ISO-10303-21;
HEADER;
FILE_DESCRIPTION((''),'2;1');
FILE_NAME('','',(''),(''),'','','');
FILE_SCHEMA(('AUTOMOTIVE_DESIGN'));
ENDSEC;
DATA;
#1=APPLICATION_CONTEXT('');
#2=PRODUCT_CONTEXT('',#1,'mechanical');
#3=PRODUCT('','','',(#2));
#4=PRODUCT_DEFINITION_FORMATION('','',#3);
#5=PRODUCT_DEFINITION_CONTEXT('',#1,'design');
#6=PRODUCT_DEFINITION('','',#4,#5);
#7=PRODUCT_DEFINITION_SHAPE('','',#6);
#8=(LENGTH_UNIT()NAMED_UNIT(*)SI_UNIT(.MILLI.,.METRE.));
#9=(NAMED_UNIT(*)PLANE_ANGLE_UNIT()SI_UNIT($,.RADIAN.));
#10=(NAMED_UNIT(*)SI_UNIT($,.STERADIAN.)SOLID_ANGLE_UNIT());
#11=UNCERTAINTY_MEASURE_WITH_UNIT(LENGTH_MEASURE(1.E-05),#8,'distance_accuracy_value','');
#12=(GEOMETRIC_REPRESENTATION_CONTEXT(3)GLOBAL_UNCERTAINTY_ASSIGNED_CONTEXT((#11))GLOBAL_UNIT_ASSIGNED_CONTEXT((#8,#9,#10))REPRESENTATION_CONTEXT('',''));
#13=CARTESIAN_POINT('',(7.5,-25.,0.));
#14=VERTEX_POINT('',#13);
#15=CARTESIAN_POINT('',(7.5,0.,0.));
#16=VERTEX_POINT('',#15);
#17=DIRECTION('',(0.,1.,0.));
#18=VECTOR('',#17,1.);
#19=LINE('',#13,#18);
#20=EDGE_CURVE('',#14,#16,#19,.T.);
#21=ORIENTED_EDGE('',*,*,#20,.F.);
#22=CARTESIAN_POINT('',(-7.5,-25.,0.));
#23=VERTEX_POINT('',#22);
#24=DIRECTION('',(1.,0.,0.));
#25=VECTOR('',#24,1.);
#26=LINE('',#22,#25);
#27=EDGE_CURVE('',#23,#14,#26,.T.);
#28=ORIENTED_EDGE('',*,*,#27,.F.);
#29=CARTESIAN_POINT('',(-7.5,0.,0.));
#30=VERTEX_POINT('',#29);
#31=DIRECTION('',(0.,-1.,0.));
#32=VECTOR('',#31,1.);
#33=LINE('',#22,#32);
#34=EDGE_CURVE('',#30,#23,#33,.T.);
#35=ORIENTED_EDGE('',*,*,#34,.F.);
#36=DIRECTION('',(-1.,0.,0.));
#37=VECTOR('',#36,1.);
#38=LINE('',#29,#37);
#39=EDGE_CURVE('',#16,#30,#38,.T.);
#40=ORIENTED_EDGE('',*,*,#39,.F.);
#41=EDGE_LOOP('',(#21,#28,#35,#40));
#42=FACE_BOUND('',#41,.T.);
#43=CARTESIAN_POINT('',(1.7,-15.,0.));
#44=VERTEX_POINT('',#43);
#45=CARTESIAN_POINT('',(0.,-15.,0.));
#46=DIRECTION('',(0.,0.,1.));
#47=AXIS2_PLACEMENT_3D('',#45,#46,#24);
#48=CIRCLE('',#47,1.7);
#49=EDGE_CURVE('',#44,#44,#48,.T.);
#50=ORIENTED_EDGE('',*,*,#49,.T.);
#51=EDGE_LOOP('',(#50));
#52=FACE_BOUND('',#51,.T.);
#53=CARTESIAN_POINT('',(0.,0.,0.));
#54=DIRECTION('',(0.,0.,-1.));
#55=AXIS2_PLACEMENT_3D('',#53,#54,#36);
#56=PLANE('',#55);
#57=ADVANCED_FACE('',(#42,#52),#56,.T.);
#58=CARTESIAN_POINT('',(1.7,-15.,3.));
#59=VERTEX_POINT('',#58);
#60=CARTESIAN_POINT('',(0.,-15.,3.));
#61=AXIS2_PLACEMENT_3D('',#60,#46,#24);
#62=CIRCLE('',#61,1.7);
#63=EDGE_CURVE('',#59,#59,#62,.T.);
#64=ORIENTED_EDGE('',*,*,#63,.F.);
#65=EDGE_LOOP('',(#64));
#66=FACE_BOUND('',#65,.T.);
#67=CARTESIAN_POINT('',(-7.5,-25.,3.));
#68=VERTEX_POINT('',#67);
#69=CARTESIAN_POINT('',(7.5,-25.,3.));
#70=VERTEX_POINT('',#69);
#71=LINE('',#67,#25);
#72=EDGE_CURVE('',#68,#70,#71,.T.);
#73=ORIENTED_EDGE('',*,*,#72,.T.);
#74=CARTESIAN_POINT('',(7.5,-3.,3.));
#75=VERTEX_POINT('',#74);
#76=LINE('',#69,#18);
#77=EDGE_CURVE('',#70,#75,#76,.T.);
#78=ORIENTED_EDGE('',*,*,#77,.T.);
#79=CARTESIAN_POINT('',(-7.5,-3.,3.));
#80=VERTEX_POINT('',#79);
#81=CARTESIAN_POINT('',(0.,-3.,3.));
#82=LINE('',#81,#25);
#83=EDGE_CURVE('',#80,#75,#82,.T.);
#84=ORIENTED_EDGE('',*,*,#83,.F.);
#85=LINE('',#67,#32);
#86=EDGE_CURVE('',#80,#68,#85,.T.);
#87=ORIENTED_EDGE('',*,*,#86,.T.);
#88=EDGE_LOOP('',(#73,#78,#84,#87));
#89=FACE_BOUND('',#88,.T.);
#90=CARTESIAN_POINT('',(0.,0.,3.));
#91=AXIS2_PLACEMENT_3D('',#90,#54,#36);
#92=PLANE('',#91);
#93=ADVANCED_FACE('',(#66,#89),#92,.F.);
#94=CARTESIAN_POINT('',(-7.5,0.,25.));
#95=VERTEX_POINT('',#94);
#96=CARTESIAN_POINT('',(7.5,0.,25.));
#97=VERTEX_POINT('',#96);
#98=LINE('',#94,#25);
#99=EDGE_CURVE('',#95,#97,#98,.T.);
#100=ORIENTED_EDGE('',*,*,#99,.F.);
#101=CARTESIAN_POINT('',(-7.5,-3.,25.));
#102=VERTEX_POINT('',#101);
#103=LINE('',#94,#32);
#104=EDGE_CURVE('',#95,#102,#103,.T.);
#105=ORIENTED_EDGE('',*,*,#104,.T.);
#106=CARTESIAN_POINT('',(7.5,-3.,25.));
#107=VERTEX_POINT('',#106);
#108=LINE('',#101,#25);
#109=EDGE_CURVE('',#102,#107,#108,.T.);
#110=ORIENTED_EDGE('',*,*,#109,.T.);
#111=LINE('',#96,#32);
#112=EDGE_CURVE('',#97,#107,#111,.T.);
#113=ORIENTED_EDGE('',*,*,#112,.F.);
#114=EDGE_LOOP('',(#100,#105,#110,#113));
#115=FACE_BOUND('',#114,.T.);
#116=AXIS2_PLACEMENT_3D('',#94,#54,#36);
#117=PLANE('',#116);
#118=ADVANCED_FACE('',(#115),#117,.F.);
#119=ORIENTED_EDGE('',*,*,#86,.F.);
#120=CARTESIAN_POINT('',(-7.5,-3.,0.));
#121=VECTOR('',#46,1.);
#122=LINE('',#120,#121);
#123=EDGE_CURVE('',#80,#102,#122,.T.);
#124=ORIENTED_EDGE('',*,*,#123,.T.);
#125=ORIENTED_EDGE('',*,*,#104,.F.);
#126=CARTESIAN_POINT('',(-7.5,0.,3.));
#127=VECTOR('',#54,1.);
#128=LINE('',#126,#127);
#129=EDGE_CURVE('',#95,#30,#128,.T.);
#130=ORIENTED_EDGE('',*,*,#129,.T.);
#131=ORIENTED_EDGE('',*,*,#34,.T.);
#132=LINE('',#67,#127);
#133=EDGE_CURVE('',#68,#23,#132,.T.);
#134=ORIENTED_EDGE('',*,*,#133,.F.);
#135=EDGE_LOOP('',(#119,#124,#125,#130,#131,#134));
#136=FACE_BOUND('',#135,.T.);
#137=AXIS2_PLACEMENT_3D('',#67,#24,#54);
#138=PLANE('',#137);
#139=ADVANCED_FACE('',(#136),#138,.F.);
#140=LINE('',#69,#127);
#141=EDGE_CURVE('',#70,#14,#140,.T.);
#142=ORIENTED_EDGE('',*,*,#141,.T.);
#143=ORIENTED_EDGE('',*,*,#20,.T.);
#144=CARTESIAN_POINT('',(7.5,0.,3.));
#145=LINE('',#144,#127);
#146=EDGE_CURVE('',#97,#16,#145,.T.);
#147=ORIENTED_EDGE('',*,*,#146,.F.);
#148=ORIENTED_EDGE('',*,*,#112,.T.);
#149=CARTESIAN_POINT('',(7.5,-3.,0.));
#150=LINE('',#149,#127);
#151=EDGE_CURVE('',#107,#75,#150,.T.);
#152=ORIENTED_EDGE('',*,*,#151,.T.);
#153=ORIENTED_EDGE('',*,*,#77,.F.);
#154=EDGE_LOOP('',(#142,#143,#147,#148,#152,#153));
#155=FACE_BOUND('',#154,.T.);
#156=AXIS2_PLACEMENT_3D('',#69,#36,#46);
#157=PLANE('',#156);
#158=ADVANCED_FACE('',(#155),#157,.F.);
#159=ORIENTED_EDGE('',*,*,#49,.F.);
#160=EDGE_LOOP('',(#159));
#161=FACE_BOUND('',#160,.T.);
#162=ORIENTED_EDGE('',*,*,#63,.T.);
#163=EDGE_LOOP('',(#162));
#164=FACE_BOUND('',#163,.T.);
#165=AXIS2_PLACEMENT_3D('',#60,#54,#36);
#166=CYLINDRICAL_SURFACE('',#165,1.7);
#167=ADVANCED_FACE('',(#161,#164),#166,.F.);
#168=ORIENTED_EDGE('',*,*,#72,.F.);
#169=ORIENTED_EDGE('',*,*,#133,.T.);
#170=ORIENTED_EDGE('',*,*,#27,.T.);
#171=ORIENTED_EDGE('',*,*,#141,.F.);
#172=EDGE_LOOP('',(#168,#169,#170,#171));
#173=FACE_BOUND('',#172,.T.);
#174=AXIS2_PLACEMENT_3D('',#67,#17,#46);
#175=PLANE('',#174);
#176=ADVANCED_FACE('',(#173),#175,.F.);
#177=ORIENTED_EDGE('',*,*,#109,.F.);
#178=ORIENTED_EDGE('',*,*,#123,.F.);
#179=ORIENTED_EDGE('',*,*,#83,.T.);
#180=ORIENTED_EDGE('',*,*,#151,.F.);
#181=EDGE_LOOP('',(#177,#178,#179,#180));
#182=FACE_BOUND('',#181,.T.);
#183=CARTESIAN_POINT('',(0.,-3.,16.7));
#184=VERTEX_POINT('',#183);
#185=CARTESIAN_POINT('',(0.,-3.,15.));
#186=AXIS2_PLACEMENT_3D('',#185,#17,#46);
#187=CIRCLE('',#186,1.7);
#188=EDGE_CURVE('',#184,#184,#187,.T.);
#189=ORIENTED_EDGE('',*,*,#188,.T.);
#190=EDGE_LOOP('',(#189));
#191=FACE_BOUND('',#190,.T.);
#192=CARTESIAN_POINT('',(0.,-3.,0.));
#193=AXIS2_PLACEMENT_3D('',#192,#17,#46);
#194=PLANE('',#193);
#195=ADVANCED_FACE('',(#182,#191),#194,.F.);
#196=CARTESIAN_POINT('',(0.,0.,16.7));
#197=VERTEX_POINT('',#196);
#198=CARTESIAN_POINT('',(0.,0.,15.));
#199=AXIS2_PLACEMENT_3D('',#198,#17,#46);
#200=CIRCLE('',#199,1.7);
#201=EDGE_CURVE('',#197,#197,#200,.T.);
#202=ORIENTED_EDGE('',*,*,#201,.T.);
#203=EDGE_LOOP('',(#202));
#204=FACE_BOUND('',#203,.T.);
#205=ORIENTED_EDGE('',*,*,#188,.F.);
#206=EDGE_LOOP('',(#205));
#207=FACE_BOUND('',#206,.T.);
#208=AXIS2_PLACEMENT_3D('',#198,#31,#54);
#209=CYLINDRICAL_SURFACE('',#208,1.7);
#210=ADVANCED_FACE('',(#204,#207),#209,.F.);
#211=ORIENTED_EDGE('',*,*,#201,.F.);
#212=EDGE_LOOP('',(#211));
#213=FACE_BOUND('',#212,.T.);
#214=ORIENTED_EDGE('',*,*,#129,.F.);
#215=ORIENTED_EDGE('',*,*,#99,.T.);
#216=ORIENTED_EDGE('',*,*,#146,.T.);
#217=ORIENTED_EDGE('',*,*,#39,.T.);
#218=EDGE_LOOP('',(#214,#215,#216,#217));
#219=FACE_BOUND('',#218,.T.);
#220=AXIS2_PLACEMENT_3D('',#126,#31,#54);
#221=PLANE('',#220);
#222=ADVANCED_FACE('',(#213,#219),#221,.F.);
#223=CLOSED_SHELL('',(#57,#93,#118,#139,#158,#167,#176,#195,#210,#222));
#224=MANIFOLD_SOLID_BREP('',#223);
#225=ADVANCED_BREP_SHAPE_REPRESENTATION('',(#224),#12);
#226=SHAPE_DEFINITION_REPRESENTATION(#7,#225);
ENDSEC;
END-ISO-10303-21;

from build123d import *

# Parameters (mm, degrees)
CROQUIS1_W           = 15
CROQUIS1_H           = 25
ALA_HORIZONTAL_DEPTH = 3
ALA_VERTICAL_START   = -3
CROQUIS2_W           = 15
CROQUIS2_H           = 25
ALA_VERTICAL_DEPTH   = 3
CROQUIS3_R           = 1.7
BARRENO_M3_H_DEPTH   = 3
BARRENO_M3_V_START   = -3
CROQUIS4_R           = 1.7
BARRENO_M3_V_DEPTH   = 3


with BuildPart() as part:
    # Croquis1 → Ala_horizontal (new body)
    with BuildSketch(Plane.XY):
        with Locations((0, -12.5)):
            Rectangle(CROQUIS1_W, CROQUIS1_H)
    extrude(amount=ALA_HORIZONTAL_DEPTH)

    # Croquis2 → Ala_vertical (add)
    with BuildSketch(Plane(origin=(0, 0, 0), x_dir=(1, 0, 0), z_dir=(0, 1, 0)).offset(ALA_VERTICAL_START)):
        with Locations((0, -12.5)):
            Rectangle(CROQUIS2_W, CROQUIS2_H)
    extrude(amount=ALA_VERTICAL_DEPTH)

    # Croquis3 → Barreno_M3_h (cut)
    with BuildSketch(Plane.XY):
        with Locations((0, -15)):
            Circle(CROQUIS3_R)
    extrude(amount=BARRENO_M3_H_DEPTH, mode=Mode.SUBTRACT)

    # Croquis4 → Barreno_M3_v (cut)
    with BuildSketch(Plane(origin=(0, 0, 0), x_dir=(1, 0, 0), z_dir=(0, 1, 0)).offset(BARRENO_M3_V_START)):
        with Locations(Location((0, -15, 0), (0, 0, 270))):
            Circle(CROQUIS4_R)
    extrude(amount=BARRENO_M3_V_DEPTH, mode=Mode.SUBTRACT)


solid = part.part
